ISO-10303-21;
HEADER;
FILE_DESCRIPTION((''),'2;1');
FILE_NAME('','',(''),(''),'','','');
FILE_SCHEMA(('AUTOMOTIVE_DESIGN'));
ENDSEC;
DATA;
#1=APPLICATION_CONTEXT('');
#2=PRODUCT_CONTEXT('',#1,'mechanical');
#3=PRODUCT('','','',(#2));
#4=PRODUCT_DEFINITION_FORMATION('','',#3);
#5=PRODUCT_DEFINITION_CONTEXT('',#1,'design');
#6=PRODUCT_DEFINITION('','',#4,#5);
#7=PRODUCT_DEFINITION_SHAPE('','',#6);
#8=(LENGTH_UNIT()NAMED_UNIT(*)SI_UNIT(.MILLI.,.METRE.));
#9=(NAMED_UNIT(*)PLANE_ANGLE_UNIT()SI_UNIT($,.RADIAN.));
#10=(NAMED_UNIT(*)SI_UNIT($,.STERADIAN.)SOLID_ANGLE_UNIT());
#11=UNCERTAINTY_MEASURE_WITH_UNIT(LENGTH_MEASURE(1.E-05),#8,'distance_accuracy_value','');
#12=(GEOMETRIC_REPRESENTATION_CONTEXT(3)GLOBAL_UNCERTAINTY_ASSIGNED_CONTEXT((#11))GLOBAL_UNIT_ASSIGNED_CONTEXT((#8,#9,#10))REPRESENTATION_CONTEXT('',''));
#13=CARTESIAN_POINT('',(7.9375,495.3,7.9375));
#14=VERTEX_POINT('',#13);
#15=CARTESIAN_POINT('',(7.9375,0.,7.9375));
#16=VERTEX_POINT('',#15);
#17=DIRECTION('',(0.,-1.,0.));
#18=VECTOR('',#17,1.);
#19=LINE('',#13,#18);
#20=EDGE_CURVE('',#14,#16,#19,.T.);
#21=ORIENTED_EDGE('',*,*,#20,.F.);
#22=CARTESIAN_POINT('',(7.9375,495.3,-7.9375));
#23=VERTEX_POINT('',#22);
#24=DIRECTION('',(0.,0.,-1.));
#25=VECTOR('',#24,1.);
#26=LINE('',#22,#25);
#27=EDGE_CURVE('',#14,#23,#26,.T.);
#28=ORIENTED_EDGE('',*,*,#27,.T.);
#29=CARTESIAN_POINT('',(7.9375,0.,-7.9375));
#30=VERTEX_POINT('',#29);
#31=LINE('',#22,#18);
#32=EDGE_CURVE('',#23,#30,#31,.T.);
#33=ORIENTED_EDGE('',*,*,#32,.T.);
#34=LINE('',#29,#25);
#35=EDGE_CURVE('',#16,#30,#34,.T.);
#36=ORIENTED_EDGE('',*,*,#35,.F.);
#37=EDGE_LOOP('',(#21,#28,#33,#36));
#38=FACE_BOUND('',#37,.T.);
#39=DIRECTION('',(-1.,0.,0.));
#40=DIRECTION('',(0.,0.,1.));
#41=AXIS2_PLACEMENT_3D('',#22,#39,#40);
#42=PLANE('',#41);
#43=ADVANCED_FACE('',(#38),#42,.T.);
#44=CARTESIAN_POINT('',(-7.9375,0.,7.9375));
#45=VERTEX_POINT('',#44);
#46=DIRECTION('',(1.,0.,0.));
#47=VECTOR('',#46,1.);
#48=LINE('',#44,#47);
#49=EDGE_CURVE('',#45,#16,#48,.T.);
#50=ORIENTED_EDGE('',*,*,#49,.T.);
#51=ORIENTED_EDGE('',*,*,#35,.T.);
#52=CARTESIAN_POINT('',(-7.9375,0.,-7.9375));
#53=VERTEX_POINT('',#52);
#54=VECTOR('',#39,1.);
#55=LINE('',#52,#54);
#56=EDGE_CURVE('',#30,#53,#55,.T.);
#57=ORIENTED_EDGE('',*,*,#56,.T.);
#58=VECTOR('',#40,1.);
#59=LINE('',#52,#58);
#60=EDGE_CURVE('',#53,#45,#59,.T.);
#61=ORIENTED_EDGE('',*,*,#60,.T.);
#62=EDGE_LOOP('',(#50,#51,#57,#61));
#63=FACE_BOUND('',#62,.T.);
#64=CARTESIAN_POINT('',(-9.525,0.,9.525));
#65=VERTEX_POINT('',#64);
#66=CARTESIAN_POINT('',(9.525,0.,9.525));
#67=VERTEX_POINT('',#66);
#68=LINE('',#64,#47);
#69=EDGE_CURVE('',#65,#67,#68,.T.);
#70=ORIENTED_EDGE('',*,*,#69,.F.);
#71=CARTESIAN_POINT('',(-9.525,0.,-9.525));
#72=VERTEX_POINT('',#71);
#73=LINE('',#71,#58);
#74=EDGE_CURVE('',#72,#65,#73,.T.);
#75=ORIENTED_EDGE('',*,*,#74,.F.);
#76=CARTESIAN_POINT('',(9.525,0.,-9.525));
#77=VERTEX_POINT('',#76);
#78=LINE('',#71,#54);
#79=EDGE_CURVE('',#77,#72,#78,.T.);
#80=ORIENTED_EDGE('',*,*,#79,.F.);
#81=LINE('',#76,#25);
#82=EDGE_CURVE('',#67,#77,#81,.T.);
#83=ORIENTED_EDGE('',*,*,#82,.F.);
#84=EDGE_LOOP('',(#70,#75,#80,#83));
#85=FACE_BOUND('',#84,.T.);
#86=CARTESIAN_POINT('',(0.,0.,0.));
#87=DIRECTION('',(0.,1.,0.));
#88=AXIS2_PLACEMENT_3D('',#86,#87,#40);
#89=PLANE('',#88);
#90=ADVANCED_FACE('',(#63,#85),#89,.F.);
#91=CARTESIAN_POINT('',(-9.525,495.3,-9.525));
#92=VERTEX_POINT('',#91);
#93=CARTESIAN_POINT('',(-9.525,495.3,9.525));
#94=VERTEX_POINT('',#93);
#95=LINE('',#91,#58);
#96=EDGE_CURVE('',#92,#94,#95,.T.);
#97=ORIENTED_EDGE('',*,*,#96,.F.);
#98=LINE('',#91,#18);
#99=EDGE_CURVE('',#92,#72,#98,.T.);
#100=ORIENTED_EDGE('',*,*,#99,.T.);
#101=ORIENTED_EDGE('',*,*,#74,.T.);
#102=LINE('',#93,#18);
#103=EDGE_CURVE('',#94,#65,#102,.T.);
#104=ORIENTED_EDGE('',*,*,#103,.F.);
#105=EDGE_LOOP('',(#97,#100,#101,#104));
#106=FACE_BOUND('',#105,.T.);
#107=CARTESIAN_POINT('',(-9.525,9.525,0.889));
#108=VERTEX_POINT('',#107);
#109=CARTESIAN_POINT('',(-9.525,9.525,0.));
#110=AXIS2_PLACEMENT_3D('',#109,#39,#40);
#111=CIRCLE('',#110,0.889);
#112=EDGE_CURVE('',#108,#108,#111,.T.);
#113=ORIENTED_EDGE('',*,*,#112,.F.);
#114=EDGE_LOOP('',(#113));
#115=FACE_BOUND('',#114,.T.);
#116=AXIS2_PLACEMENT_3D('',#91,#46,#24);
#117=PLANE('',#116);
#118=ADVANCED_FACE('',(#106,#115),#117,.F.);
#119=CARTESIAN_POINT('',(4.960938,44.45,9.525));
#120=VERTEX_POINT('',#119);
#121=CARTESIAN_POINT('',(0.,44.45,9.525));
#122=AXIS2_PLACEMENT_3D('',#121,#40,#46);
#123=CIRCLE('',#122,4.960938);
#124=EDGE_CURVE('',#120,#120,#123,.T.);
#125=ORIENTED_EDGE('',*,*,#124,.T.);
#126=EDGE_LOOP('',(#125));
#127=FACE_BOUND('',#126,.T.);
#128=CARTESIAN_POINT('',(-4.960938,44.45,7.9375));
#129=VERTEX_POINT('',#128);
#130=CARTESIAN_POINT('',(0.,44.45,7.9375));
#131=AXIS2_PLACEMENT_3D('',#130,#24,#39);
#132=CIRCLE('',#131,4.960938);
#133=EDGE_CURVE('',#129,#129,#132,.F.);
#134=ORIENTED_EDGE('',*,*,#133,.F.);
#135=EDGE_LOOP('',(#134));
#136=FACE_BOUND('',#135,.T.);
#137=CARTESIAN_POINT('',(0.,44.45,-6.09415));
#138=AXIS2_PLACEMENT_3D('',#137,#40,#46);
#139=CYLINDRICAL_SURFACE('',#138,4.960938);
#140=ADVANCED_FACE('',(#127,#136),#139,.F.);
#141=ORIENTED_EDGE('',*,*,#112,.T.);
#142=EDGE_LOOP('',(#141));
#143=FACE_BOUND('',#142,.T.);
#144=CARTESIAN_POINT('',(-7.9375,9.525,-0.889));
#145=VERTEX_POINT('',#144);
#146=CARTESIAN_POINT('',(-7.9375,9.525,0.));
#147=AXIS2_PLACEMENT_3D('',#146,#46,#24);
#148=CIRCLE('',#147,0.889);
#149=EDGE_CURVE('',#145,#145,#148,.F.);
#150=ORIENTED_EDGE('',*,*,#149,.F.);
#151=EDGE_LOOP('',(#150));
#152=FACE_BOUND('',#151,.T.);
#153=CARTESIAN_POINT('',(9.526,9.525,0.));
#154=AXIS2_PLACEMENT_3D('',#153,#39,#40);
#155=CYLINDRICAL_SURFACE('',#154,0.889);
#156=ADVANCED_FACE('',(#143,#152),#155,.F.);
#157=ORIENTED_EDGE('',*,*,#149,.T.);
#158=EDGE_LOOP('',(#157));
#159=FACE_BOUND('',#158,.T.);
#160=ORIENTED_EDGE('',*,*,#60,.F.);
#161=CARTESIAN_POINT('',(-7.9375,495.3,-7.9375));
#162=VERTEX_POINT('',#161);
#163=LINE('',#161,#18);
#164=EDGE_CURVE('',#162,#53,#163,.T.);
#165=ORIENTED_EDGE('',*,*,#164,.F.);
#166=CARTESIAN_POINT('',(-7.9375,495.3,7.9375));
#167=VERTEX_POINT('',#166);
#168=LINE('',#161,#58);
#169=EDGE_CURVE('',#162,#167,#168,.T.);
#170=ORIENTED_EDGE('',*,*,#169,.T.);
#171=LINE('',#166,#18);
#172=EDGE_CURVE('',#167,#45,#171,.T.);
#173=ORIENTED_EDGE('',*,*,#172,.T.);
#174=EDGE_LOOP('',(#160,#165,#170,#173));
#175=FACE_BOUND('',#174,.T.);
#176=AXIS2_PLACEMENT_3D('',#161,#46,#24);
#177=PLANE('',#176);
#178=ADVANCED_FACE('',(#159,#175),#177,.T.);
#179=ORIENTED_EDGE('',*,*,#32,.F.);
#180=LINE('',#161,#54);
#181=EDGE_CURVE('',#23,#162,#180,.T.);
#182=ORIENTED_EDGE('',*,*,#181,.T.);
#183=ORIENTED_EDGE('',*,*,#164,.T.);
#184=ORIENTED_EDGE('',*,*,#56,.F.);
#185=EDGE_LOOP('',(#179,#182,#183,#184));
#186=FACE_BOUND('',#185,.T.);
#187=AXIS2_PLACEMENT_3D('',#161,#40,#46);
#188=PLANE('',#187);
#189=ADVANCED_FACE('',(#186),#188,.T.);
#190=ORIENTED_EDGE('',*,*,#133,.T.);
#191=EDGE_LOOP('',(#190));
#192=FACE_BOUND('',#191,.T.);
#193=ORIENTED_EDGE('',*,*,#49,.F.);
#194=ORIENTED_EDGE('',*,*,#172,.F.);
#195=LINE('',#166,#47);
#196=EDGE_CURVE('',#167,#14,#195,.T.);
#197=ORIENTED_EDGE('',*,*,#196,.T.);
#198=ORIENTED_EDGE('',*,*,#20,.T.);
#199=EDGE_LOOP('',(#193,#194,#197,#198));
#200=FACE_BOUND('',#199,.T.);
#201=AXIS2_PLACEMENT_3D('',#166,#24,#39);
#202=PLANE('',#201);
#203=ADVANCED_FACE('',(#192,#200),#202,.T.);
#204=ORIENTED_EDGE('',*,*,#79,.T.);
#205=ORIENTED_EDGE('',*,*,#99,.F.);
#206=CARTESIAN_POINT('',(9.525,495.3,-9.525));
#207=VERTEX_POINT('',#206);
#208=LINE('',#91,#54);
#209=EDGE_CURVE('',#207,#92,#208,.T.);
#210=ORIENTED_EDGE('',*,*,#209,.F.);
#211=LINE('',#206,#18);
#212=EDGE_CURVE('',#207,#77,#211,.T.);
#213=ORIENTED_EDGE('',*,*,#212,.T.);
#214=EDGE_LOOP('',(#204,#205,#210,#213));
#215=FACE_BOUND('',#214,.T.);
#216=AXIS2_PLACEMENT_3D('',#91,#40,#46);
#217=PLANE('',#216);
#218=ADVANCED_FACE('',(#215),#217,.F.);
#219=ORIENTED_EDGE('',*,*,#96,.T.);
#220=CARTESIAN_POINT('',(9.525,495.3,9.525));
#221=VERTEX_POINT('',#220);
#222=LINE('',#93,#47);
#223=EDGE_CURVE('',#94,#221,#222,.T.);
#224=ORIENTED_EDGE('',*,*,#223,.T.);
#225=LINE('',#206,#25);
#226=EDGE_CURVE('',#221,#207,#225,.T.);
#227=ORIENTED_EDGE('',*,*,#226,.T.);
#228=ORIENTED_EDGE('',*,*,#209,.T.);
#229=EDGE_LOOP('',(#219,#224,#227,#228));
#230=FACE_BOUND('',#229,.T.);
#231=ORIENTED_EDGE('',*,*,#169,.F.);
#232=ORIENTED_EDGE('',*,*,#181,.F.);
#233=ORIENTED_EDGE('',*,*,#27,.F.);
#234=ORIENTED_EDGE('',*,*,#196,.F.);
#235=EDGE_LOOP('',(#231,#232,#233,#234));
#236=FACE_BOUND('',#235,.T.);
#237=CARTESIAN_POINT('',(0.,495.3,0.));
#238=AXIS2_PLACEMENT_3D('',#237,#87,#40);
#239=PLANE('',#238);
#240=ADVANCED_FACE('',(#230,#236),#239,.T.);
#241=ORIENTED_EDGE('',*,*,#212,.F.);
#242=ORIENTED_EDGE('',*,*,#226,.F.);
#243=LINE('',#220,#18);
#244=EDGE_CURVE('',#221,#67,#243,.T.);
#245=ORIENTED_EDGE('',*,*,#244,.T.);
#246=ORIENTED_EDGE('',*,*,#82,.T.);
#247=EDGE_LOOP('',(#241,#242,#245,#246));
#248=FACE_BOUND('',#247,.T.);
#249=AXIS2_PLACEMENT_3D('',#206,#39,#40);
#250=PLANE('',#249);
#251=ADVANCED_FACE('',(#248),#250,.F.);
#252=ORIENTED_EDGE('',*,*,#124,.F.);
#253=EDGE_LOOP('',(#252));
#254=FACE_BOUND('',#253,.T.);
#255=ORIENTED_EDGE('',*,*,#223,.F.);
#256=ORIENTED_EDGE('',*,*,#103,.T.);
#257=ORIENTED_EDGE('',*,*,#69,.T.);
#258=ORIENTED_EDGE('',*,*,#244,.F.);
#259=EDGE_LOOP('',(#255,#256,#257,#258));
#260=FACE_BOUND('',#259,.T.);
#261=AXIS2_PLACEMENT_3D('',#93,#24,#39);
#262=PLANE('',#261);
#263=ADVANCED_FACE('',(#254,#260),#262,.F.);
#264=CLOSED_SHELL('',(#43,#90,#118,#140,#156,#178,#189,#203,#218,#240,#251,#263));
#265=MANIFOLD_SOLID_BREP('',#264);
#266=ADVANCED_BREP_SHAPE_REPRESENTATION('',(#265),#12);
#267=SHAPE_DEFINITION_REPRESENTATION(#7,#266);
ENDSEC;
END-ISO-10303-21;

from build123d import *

# Parameters (mm, degrees)
SKETCH1_W           = 19.05
SKETCH1_H           = 19.05
SKETCH1_W_2         = 15.875
SKETCH1_H_2         = 15.875
BOSS_EXTRUDE1_DEPTH = 495.3
SKETCH2_R           = 4.9609375
CUT_EXTRUDE1_DEPTH  = 1.5875
CUT_EXTRUDE2_REACH  = 21.05
SKETCH3_R           = 0.889


with BuildPart() as part:
    # Sketch1 → Boss-Extrude1 (new body)
    with BuildSketch(Plane(origin=(0, 0, 0), x_dir=(1, 0, 0), z_dir=(0, 1, 0))):
        Rectangle(SKETCH1_W, SKETCH1_H)
        Rectangle(SKETCH1_W_2, SKETCH1_H_2, mode=Mode.SUBTRACT)
    extrude(amount=BOSS_EXTRUDE1_DEPTH)

    # Sketch2 → Cut-Extrude1 (cut)
    with BuildSketch(Plane.XY.offset(9.525)):
        with Locations((0, 44.45)):
            Circle(SKETCH2_R)
    extrude(amount=-CUT_EXTRUDE1_DEPTH, mode=Mode.SUBTRACT)

    # Sketch3 → Cut-Extrude2 (cut, up to next)
    with BuildSketch(Plane.ZY.offset(9.525), mode=Mode.PRIVATE) as cut_extrude2_sk1:
        with Locations((0, 9.525)):
            Circle(SKETCH3_R)
    cut_extrude2_tool1 = extrude(cut_extrude2_sk1.sketch, amount=-CUT_EXTRUDE2_REACH, mode=Mode.PRIVATE) & part.part
    add(cut_extrude2_tool1.solids().sort_by_distance((-9.525, 9.525, 0))[0], mode=Mode.SUBTRACT)


solid = part.part
